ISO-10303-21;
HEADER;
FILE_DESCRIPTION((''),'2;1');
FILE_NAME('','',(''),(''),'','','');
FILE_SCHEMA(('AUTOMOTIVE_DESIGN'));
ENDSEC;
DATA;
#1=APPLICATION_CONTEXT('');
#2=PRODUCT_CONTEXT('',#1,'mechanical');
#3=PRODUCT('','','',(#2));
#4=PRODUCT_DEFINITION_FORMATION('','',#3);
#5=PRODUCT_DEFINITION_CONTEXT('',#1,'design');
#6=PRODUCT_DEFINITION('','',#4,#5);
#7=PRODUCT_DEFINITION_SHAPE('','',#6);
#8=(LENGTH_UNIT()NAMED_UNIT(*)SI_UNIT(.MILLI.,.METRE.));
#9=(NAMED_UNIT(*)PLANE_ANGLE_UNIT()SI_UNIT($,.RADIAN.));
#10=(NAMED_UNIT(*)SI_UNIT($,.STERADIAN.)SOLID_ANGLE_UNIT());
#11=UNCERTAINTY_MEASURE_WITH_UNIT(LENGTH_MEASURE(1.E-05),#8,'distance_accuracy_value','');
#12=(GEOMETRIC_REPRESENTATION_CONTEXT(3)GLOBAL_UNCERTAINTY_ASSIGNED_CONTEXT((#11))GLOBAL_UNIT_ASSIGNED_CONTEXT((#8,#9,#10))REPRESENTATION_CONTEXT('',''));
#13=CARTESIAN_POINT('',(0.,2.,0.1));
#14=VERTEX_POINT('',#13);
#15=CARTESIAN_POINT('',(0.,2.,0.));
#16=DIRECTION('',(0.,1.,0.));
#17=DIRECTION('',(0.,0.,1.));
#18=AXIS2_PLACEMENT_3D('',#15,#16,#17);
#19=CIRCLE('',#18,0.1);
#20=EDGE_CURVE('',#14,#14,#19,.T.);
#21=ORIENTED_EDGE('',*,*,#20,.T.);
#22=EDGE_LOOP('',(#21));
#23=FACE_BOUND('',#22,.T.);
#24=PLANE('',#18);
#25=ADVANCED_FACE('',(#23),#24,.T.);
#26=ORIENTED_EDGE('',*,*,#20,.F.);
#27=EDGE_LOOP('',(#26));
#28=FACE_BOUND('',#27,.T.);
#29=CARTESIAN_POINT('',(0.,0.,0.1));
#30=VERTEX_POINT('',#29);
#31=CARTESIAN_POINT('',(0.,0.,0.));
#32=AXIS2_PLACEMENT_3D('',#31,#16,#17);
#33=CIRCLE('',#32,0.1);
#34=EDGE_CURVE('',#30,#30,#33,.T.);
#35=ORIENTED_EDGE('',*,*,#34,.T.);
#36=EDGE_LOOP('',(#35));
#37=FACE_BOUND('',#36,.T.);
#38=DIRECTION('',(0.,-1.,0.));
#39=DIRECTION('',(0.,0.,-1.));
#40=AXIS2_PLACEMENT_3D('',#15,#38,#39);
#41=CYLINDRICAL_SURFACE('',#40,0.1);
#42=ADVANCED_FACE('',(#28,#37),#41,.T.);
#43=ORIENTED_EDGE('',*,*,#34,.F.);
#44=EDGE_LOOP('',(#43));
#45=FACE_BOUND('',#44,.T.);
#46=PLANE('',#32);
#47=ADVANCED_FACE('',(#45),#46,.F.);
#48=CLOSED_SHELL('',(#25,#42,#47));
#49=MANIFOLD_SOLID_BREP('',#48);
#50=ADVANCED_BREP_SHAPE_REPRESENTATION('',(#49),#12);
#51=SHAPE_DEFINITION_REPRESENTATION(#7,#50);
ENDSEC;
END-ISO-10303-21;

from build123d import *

# Parameters (mm, degrees)
SKETCH2_R           = 0.1
BOSS_EXTRUDE2_DEPTH = 2


with BuildPart() as part:
    # Sketch2 → Boss-Extrude2 (new body)
    with BuildSketch(Plane(origin=(0, 0, 0), x_dir=(1, 0, 0), z_dir=(0, 1, 0))):
        Circle(SKETCH2_R)
    extrude(amount=BOSS_EXTRUDE2_DEPTH)


solid = part.part
